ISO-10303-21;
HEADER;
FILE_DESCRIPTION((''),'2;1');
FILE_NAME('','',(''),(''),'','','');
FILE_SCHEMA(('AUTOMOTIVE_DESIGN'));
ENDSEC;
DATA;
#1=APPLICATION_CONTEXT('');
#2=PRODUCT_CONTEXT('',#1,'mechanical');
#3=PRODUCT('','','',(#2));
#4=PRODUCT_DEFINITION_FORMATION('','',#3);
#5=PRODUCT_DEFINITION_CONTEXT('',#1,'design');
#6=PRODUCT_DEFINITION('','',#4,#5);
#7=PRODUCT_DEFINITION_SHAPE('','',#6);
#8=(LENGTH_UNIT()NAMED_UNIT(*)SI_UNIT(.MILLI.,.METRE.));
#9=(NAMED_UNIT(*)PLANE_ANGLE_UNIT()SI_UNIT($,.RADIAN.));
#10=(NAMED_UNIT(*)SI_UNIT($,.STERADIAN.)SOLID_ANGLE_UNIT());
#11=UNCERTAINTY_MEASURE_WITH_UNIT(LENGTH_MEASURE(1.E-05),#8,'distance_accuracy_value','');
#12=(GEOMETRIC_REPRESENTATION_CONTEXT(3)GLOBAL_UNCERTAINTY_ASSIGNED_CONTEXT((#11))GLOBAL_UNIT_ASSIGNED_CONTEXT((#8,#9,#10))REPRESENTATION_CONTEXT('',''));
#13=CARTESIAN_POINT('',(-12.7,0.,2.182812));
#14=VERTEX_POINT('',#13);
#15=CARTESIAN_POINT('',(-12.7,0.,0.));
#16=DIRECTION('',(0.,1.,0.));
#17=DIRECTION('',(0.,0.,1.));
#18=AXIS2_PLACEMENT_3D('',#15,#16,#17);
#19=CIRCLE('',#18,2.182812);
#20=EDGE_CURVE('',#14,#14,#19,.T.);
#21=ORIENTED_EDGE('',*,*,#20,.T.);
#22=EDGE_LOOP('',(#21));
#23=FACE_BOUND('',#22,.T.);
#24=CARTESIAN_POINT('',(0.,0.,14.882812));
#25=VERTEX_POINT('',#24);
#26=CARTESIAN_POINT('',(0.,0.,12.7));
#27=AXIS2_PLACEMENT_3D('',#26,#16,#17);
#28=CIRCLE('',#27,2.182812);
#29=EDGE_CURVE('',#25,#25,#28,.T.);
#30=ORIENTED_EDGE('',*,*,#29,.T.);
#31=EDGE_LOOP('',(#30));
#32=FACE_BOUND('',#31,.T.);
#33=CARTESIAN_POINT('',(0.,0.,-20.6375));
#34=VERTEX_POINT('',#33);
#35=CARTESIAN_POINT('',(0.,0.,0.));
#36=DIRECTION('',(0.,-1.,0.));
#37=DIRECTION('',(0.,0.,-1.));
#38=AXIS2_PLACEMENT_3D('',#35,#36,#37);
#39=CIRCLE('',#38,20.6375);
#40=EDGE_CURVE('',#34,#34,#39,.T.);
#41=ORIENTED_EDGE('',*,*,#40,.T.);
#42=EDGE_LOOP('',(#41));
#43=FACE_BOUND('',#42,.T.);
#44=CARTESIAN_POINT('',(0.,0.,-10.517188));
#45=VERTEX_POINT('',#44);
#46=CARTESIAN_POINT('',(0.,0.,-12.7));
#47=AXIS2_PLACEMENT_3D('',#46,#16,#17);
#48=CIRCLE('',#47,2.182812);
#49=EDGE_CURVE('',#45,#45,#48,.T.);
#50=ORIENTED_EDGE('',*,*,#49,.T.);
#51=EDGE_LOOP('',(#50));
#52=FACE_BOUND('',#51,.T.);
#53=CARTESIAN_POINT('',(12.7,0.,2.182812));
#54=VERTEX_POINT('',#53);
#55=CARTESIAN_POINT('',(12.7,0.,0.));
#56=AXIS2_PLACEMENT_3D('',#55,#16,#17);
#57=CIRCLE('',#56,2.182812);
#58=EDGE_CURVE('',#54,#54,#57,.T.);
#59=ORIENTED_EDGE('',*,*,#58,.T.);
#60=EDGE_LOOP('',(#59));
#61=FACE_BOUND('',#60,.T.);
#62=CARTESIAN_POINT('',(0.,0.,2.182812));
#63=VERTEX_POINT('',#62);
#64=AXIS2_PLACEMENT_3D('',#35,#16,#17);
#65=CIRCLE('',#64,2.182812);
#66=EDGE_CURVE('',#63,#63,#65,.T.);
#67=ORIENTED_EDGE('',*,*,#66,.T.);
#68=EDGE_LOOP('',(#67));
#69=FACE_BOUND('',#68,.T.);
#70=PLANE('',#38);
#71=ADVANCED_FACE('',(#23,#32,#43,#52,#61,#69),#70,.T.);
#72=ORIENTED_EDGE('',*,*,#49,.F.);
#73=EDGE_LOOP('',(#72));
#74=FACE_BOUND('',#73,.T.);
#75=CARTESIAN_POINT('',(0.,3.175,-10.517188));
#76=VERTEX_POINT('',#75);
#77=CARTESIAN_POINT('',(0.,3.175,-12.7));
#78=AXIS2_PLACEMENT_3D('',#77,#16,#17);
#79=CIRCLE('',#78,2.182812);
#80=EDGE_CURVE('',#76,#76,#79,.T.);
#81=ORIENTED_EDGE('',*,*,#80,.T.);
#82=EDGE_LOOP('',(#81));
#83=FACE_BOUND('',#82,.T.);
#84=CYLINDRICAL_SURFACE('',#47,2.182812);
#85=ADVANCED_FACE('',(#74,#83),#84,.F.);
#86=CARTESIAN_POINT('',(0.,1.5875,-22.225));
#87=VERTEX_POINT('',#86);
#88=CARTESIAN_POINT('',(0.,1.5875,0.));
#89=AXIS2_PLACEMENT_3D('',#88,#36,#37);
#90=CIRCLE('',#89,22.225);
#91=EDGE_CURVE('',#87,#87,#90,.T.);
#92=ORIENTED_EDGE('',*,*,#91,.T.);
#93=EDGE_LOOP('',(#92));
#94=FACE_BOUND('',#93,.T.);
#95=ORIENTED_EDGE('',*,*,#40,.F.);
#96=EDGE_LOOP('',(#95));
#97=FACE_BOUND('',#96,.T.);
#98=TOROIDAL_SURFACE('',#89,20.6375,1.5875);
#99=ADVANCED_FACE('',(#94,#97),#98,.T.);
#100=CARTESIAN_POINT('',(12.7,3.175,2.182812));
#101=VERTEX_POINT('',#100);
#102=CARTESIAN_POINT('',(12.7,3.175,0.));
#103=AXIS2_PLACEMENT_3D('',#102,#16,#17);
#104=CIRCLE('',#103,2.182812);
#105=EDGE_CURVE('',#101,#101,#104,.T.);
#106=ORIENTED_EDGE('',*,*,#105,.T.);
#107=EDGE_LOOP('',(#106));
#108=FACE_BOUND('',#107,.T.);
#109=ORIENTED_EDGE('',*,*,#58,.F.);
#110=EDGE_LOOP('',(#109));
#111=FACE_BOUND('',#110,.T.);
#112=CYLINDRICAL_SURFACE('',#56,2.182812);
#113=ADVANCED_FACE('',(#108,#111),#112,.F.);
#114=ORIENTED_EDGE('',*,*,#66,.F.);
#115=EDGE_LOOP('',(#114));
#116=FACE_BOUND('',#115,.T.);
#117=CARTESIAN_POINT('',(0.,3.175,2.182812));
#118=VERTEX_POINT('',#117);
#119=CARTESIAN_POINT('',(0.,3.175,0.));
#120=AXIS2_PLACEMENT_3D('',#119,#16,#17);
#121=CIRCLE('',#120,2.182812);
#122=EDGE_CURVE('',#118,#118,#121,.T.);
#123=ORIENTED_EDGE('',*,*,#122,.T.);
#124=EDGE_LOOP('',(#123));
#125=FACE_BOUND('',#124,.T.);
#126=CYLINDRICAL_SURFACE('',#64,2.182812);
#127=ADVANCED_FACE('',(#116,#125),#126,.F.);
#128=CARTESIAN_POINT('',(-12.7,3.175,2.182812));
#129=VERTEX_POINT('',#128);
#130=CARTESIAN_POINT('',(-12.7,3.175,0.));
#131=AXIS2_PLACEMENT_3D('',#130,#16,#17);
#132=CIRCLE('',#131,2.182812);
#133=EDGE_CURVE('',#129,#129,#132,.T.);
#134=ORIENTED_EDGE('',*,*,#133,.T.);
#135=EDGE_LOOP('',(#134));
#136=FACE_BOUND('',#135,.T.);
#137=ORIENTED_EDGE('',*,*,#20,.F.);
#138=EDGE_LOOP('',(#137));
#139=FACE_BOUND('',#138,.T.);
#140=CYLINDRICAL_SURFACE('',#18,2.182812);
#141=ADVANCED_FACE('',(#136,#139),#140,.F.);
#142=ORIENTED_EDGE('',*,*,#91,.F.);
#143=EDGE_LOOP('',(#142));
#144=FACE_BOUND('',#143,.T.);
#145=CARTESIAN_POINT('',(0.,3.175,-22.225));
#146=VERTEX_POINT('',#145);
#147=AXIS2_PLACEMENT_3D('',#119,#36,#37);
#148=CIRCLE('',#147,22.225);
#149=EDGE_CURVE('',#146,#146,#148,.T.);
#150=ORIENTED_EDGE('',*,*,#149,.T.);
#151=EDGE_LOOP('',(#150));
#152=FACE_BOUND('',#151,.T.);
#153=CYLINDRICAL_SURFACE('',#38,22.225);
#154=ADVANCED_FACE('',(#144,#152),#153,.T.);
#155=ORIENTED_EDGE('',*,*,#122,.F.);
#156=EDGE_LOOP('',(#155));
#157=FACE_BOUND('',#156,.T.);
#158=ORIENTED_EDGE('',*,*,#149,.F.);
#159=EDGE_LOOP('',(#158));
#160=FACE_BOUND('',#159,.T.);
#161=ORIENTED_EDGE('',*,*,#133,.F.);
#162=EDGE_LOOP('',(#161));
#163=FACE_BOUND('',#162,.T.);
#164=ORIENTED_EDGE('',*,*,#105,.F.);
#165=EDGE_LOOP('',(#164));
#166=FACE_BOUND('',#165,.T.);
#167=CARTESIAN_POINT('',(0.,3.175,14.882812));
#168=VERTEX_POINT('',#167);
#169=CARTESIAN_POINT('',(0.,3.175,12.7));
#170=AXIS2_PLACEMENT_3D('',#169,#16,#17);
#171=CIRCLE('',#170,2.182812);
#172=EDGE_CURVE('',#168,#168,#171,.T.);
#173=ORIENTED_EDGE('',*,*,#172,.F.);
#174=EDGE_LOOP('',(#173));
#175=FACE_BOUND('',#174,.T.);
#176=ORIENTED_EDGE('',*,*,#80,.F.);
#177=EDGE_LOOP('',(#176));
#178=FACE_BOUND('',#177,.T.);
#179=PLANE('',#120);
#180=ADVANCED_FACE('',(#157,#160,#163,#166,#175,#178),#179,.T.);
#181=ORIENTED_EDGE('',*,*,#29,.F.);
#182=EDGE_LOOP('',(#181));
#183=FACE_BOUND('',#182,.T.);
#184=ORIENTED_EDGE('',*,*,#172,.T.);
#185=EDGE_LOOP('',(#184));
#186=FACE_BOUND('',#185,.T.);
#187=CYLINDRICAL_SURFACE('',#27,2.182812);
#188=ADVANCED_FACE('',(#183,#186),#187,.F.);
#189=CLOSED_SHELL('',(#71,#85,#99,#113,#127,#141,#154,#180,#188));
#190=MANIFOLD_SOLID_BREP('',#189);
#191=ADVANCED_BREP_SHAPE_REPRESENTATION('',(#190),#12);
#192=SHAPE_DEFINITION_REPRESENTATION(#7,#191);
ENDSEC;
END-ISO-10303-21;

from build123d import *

# Parameters (mm, degrees)
CUT_EXTRUDE1_DEPTH      = 32.590851198
CUT_EXTRUDE1_DEPTH_BACK = 32.590851198
SKETCH2_R               = 2.1828125


with BuildPart() as part:
    # Sketch1 → Revolve1 (revolve)
    with BuildSketch(Plane.XY, mode=Mode.PRIVATE) as revolve1_sk:
        with BuildLine():
            Line((0, 0), (20.6375, 0))
            ThreePointArc((20.6375, 0), (21.760032015, 0.464967985), (22.225, 1.5875))
            Line((22.225, 1.5875), (22.225, 3.175))
            Line((22.225, 3.175), (0, 3.175))
            Line((0, 3.175), (0, 0))
        make_face()
    revolve(revolve1_sk.sketch.rotate(Axis((0, 0, 0), (0, 1, 0)), 90), axis=Axis((0, 0, 0), (0, 1, 0)))

    # Sketch2 → Cut-Extrude1 (cut, two sides: drawn at the far end of the back side and taken through both)
    with BuildSketch(Plane(origin=(0, 3.175, 0), x_dir=(1, 0, 0), z_dir=(0, 1, 0)).offset(-CUT_EXTRUDE1_DEPTH_BACK)):
        with Locations(Location((0, 0, 0), (0, 0, 270))):
            Circle(SKETCH2_R)
        with Locations(Location((12.7, 0, 0), (0, 0, 270))):
            Circle(SKETCH2_R)
        with Locations(Location((-12.7, 0, 0), (0, 0, 270))):
            Circle(SKETCH2_R)
        with Locations(Location((0, 12.7, 0), (0, 0, 270))):
            Circle(SKETCH2_R)
        with Locations(Location((0, -12.7, 0), (0, 0, 270))):
            Circle(SKETCH2_R)
    extrude(amount=CUT_EXTRUDE1_DEPTH + CUT_EXTRUDE1_DEPTH_BACK, mode=Mode.SUBTRACT)


solid = part.part
